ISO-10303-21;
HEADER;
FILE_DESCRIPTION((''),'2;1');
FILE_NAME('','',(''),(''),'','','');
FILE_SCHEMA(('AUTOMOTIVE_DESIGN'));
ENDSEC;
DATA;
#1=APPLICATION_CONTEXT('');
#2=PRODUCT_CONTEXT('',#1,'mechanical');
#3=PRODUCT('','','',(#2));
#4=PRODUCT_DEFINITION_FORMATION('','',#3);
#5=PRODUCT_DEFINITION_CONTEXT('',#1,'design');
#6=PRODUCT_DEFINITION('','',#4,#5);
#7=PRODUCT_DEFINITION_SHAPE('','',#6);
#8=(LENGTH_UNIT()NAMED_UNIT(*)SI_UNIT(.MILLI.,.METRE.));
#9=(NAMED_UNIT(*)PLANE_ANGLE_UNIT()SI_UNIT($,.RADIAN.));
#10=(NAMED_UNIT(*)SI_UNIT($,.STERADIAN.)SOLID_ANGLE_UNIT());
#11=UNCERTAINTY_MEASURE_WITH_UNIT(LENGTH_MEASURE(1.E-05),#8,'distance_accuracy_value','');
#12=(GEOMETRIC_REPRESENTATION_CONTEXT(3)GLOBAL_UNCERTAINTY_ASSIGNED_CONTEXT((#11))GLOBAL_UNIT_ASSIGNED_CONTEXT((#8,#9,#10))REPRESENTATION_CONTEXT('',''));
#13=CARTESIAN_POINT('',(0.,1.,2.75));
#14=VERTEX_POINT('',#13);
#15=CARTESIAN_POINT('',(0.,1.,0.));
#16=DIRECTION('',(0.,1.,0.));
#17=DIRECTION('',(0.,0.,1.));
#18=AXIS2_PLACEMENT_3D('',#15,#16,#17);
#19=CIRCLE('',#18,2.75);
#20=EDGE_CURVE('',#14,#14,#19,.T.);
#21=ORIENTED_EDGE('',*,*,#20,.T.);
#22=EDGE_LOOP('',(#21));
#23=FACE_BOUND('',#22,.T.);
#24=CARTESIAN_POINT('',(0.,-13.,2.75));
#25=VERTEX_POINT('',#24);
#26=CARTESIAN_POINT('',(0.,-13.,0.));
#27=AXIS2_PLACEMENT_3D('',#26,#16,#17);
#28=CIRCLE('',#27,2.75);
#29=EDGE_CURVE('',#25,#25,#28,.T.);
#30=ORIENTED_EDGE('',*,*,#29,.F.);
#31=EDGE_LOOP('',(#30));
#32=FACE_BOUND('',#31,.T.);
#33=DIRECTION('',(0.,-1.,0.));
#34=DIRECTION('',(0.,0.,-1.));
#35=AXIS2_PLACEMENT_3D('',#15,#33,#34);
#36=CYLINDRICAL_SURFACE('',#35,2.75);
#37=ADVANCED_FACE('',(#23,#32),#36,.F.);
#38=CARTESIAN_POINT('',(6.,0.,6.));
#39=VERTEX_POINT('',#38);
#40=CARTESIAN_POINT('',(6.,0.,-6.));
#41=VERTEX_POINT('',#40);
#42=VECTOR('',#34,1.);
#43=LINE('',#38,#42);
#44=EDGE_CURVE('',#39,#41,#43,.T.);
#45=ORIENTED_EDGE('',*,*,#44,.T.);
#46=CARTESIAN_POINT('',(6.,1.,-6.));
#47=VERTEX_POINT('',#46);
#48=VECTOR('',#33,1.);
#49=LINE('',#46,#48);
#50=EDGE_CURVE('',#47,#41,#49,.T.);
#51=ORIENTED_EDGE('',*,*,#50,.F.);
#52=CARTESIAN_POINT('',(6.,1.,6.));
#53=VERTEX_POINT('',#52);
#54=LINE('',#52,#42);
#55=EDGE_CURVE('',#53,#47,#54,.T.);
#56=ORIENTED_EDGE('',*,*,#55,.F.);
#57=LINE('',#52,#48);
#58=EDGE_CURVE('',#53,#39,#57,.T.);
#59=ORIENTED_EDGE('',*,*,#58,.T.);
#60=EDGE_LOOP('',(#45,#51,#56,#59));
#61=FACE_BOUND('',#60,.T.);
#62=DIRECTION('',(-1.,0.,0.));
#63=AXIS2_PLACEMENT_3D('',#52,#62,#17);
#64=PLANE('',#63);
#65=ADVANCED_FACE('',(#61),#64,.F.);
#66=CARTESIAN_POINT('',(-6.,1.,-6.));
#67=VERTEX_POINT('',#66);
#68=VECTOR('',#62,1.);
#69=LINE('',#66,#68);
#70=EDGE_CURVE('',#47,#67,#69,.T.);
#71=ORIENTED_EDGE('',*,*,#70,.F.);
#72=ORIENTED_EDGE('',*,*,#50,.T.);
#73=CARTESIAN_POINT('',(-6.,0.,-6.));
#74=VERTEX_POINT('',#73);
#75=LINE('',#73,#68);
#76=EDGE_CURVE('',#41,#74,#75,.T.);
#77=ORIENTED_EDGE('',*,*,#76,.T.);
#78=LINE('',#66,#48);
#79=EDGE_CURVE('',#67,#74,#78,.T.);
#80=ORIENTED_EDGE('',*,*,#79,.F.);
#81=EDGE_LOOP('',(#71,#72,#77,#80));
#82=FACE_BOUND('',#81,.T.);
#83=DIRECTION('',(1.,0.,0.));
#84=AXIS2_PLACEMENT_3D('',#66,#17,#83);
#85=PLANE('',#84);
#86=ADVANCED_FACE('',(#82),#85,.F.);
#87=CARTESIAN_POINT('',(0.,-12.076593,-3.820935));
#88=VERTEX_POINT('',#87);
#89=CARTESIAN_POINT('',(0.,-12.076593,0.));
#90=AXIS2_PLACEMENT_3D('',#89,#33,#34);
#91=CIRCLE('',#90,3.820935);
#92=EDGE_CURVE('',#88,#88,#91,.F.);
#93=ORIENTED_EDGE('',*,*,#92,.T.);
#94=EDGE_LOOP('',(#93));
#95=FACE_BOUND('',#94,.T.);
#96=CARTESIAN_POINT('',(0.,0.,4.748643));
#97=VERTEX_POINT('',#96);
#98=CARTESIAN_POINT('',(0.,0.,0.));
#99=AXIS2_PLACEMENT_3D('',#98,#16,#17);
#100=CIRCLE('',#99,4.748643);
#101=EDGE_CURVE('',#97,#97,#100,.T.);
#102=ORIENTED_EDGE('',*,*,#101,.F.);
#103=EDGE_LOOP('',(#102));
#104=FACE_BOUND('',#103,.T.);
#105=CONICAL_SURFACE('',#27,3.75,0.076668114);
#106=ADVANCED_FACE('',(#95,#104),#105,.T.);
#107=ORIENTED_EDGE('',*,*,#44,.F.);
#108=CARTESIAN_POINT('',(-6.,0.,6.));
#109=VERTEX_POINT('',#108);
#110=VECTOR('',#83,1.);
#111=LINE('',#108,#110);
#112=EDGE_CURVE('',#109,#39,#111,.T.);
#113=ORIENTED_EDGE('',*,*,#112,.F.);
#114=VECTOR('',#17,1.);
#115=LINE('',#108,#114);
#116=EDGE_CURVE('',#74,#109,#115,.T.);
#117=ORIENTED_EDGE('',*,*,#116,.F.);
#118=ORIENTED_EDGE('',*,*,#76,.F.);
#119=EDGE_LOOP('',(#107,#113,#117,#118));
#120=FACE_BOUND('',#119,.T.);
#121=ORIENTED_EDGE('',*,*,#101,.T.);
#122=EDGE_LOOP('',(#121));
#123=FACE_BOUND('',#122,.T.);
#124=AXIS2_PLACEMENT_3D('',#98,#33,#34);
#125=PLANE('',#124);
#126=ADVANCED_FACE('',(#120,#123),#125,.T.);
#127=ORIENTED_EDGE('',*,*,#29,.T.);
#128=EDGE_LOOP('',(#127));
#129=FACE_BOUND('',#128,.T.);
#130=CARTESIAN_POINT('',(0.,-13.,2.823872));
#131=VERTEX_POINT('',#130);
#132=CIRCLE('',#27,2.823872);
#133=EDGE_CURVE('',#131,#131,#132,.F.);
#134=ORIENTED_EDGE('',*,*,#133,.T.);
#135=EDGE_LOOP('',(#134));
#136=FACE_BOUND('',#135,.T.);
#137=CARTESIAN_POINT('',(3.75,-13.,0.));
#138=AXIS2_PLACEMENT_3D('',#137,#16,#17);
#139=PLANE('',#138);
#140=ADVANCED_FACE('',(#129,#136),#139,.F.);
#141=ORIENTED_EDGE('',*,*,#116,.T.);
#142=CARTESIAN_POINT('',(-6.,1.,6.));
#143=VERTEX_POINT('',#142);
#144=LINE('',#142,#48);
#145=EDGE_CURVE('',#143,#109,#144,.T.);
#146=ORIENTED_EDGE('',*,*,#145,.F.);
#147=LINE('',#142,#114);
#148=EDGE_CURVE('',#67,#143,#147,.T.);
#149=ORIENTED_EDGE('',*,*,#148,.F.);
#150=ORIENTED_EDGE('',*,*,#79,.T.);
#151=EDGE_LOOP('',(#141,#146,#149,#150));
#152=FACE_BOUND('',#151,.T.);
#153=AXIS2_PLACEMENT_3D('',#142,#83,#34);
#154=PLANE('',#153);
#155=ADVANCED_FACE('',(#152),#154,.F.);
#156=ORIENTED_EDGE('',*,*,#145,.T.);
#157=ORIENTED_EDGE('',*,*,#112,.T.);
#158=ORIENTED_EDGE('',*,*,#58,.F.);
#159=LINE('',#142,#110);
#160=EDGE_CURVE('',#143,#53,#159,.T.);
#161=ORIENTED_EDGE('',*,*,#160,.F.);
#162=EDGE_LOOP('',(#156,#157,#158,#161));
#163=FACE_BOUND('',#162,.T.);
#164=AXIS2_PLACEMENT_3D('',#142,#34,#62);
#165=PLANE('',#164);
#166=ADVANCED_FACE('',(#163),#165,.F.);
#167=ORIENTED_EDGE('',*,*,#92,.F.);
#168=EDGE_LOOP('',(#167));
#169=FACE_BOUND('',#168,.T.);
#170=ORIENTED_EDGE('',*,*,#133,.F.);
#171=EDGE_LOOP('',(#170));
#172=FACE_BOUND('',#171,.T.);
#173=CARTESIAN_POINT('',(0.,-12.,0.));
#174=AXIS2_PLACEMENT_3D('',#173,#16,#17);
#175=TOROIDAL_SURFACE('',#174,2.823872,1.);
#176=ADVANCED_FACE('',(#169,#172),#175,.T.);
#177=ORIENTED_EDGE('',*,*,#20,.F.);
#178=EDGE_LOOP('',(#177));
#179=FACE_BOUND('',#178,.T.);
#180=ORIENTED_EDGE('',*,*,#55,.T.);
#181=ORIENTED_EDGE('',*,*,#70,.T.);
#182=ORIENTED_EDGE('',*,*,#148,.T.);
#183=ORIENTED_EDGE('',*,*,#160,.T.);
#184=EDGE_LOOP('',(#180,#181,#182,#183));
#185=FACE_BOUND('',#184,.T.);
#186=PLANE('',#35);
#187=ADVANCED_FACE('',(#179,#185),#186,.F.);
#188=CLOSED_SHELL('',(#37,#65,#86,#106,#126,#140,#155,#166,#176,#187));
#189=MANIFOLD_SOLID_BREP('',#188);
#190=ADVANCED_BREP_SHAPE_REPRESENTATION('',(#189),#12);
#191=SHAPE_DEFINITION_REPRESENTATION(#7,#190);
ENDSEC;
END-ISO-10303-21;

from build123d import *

# Parameters (mm, degrees)
SCHIZZO1_W                   = 12
SCHIZZO1_H                   = 12
SCHIZZO1_R                   = 2.75
ESTRUSIONE_ESTRUSIONE1_DEPTH = 1
RACCORDO1_R                  = 1


with BuildPart() as part:
    # Schizzo1 → Estrusione-Estrusione1 (new body)
    with BuildSketch(Plane(origin=(0, 0, 0), x_dir=(1, 0, 0), z_dir=(0, 1, 0))):
        Rectangle(SCHIZZO1_W, SCHIZZO1_H)
        with Locations(Location((0, 0, 0), (0, 0, 270))):
            Circle(SCHIZZO1_R, mode=Mode.SUBTRACT)
    extrude(amount=ESTRUSIONE_ESTRUSIONE1_DEPTH)

    # Schizzo2 → Rivoluzione1 (revolve)
    with BuildSketch(Plane.XY, mode=Mode.PRIVATE) as rivoluzione1_sk:
        Polygon((3.75, -13), (2.75, -13), (2.75, 0), (4.748642917, 0), align=None)
    revolve(rivoluzione1_sk.sketch.rotate(Axis((0, 0, 0), (0, -1, 0)), 90), axis=Axis((0, 0, 0), (0, -1, 0)))

    # Raccordo1
    raccordo1_edges = [part.edges().sort_by_distance(p)[0] for p in [
        (0, -13, -3.75),
    ]]
    fillet(raccordo1_edges, radius=RACCORDO1_R)


solid = part.part
